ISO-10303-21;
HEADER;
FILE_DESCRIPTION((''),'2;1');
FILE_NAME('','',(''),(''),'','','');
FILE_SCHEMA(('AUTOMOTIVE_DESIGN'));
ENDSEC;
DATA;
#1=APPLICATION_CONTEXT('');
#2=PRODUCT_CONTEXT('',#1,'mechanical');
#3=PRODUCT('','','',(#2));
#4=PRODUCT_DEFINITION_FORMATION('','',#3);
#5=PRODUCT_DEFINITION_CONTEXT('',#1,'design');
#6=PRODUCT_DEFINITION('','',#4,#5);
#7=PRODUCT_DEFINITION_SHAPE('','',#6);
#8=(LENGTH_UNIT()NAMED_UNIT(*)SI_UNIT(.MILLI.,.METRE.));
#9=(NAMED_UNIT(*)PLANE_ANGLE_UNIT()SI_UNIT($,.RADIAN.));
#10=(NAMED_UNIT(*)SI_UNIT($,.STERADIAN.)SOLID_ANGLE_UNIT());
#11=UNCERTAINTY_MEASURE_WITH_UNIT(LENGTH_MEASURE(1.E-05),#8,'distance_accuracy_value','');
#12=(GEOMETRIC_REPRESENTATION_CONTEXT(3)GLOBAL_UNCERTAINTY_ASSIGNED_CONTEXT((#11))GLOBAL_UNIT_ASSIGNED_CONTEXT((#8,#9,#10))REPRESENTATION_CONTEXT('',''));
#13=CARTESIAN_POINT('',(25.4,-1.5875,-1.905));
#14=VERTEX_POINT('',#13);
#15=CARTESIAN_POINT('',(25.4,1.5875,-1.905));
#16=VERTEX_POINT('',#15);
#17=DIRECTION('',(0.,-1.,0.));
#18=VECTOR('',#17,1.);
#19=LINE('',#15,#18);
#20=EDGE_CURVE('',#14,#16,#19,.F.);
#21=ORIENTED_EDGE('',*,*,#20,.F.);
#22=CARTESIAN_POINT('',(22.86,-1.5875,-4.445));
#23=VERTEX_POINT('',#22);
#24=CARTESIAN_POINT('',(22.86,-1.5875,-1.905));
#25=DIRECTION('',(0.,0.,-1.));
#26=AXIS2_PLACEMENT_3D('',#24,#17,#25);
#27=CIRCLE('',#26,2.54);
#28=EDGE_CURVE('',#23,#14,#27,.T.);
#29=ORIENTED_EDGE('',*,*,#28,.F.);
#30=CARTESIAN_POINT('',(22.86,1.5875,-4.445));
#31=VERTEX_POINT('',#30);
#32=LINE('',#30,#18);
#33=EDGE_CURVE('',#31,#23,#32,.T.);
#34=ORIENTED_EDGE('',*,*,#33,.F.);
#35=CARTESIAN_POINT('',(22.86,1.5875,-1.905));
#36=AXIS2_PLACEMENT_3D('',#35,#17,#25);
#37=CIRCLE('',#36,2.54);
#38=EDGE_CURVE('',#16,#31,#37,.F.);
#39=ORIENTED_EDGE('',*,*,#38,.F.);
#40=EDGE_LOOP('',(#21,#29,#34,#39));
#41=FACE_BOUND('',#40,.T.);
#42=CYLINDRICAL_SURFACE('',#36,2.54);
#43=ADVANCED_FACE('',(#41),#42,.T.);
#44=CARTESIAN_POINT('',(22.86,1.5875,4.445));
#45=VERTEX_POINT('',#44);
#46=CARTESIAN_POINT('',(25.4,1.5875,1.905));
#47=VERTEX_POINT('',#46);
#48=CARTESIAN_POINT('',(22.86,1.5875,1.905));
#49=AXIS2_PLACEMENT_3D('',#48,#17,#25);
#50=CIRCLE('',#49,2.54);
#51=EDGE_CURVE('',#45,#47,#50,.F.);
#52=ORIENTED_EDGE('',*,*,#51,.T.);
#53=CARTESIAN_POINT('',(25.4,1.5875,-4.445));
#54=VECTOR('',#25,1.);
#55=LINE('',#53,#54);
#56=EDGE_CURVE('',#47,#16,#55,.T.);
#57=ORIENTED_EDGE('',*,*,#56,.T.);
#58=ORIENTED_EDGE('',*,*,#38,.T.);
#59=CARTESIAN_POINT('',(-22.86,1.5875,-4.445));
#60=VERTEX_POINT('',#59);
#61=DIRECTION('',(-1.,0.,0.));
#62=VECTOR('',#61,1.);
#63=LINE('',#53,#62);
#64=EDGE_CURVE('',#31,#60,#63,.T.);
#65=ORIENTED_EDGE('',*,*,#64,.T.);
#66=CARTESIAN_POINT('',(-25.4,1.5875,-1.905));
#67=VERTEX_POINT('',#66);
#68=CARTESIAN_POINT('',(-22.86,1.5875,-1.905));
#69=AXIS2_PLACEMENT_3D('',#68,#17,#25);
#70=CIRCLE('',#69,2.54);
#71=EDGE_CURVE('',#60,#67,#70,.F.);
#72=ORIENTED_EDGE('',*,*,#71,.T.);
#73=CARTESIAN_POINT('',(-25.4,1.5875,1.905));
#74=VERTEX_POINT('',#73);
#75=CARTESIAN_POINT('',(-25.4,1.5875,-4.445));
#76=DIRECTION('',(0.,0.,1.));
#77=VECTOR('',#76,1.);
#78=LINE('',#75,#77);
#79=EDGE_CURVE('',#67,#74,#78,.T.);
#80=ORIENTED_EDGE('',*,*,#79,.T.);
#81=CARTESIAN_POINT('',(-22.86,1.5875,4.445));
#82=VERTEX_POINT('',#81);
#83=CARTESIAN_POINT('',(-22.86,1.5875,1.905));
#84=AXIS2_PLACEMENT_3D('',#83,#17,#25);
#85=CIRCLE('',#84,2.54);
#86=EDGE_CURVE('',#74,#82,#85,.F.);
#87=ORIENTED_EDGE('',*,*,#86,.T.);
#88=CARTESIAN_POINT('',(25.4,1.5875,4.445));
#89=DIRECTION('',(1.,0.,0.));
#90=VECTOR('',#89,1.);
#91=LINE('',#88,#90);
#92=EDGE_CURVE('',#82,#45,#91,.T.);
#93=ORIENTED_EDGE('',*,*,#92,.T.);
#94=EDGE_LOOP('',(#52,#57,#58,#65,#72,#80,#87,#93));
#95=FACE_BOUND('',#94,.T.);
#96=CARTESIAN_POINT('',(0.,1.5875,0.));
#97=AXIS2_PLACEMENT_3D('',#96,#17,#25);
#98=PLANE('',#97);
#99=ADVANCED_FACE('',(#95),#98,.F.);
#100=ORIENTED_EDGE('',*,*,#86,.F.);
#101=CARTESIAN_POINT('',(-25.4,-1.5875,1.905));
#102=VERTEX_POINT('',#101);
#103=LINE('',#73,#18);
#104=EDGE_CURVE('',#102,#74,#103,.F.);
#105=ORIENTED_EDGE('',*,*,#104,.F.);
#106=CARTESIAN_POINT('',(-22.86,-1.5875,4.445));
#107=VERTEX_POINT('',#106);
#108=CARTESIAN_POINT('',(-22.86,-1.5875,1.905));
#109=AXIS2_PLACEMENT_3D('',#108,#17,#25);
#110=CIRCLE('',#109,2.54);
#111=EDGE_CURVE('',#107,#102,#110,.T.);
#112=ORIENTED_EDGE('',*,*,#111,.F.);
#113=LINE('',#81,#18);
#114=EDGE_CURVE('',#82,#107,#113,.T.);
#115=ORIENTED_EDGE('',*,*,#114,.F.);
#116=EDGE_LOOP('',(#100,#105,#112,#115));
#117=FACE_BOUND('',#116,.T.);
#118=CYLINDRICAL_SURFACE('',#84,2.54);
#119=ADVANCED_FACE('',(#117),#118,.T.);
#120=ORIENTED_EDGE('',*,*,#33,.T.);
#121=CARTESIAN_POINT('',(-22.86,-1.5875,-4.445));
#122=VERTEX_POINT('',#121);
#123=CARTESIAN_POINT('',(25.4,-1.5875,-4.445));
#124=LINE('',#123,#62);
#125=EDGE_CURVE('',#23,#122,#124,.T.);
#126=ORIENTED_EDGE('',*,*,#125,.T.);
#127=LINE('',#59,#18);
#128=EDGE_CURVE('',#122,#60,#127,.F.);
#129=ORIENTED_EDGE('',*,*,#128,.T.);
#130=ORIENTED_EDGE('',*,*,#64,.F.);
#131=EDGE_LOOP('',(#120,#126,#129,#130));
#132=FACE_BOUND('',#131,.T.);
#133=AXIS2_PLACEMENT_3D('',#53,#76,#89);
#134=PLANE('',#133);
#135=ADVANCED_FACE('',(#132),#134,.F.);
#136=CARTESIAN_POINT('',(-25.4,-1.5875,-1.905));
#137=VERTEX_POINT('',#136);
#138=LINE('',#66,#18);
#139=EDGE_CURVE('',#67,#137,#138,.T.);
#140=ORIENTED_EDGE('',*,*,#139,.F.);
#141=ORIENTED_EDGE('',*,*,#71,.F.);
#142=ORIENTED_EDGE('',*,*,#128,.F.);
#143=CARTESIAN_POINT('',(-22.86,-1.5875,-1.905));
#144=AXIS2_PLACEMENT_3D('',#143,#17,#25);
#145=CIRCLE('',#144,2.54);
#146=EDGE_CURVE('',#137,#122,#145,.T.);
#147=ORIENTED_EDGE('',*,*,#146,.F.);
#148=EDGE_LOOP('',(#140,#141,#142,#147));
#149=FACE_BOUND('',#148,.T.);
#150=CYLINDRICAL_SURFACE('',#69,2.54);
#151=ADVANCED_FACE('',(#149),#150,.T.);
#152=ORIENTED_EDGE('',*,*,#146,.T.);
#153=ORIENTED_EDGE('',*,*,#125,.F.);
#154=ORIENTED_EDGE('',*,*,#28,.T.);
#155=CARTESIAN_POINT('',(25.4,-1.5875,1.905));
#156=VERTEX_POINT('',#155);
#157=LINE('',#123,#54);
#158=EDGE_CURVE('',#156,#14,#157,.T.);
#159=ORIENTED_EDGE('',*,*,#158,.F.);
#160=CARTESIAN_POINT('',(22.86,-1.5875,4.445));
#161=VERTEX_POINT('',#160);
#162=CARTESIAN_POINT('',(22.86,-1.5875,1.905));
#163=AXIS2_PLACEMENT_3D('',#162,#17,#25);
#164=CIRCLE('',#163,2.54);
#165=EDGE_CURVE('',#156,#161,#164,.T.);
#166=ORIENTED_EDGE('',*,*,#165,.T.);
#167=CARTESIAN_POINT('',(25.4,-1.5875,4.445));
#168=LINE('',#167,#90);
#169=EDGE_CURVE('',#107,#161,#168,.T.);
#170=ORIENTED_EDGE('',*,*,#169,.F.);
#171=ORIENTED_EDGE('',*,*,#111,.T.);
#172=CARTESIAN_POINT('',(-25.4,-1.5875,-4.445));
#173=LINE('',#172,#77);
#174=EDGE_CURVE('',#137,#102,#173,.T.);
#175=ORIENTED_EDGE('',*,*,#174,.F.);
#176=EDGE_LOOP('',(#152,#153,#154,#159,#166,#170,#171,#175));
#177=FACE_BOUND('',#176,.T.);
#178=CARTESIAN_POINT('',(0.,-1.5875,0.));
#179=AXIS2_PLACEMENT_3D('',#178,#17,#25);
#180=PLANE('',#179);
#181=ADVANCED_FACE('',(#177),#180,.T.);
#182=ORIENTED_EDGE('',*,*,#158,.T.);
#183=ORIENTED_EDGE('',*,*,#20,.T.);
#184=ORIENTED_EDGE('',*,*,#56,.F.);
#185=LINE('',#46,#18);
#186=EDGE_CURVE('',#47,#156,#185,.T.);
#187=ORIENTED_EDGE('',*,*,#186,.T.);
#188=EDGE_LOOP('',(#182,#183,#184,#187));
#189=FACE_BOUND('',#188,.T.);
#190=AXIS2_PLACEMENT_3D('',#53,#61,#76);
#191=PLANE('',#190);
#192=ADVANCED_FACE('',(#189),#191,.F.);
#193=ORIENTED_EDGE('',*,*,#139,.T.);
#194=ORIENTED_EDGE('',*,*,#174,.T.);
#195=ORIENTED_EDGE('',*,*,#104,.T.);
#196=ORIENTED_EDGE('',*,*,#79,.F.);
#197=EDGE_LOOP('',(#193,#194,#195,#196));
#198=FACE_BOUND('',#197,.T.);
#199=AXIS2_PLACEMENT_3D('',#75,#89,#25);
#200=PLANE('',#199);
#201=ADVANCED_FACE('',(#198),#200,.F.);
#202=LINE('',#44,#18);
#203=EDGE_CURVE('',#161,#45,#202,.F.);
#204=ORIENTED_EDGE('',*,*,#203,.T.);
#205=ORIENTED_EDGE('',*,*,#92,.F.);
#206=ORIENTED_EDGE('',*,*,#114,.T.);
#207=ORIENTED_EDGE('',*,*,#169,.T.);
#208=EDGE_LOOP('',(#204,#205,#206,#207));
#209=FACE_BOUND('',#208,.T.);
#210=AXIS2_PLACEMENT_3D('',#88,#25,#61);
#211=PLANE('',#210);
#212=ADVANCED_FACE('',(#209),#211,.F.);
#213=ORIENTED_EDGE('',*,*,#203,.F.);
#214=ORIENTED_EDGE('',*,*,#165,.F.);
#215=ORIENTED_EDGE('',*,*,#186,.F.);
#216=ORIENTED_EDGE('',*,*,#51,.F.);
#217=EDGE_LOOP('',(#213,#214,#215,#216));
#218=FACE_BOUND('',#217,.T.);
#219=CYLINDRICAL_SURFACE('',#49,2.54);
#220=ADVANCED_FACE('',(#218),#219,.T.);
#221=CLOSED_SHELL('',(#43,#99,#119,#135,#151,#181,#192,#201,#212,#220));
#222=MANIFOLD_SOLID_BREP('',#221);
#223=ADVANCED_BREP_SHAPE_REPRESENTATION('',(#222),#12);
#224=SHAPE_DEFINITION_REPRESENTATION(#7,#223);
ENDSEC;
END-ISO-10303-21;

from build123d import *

# Parameters (mm, degrees)
SKETCH1_W           = 50.8
SKETCH1_H           = 8.89
BOSS_EXTRUDE1_DEPTH = 1.5875
FILLET1_R           = 2.54


with BuildPart() as part:
    # Sketch1 → Boss-Extrude1 (new body, symmetric)
    with BuildSketch(Plane(origin=(0, 0, 0), x_dir=(1, 0, 0), z_dir=(0, 1, 0))):
        Rectangle(SKETCH1_W, SKETCH1_H)
    extrude(amount=BOSS_EXTRUDE1_DEPTH, both=True)

    # Fillet1
    fillet1_edges = [part.edges().sort_by_distance(p)[0] for p in [
        (-25.4, 0, -4.445),
        (25.4, 0, -4.445),
        (25.4, 0, 4.445),
        (-25.4, 0, 4.445),
    ]]
    fillet(fillet1_edges, radius=FILLET1_R)


solid = part.part
